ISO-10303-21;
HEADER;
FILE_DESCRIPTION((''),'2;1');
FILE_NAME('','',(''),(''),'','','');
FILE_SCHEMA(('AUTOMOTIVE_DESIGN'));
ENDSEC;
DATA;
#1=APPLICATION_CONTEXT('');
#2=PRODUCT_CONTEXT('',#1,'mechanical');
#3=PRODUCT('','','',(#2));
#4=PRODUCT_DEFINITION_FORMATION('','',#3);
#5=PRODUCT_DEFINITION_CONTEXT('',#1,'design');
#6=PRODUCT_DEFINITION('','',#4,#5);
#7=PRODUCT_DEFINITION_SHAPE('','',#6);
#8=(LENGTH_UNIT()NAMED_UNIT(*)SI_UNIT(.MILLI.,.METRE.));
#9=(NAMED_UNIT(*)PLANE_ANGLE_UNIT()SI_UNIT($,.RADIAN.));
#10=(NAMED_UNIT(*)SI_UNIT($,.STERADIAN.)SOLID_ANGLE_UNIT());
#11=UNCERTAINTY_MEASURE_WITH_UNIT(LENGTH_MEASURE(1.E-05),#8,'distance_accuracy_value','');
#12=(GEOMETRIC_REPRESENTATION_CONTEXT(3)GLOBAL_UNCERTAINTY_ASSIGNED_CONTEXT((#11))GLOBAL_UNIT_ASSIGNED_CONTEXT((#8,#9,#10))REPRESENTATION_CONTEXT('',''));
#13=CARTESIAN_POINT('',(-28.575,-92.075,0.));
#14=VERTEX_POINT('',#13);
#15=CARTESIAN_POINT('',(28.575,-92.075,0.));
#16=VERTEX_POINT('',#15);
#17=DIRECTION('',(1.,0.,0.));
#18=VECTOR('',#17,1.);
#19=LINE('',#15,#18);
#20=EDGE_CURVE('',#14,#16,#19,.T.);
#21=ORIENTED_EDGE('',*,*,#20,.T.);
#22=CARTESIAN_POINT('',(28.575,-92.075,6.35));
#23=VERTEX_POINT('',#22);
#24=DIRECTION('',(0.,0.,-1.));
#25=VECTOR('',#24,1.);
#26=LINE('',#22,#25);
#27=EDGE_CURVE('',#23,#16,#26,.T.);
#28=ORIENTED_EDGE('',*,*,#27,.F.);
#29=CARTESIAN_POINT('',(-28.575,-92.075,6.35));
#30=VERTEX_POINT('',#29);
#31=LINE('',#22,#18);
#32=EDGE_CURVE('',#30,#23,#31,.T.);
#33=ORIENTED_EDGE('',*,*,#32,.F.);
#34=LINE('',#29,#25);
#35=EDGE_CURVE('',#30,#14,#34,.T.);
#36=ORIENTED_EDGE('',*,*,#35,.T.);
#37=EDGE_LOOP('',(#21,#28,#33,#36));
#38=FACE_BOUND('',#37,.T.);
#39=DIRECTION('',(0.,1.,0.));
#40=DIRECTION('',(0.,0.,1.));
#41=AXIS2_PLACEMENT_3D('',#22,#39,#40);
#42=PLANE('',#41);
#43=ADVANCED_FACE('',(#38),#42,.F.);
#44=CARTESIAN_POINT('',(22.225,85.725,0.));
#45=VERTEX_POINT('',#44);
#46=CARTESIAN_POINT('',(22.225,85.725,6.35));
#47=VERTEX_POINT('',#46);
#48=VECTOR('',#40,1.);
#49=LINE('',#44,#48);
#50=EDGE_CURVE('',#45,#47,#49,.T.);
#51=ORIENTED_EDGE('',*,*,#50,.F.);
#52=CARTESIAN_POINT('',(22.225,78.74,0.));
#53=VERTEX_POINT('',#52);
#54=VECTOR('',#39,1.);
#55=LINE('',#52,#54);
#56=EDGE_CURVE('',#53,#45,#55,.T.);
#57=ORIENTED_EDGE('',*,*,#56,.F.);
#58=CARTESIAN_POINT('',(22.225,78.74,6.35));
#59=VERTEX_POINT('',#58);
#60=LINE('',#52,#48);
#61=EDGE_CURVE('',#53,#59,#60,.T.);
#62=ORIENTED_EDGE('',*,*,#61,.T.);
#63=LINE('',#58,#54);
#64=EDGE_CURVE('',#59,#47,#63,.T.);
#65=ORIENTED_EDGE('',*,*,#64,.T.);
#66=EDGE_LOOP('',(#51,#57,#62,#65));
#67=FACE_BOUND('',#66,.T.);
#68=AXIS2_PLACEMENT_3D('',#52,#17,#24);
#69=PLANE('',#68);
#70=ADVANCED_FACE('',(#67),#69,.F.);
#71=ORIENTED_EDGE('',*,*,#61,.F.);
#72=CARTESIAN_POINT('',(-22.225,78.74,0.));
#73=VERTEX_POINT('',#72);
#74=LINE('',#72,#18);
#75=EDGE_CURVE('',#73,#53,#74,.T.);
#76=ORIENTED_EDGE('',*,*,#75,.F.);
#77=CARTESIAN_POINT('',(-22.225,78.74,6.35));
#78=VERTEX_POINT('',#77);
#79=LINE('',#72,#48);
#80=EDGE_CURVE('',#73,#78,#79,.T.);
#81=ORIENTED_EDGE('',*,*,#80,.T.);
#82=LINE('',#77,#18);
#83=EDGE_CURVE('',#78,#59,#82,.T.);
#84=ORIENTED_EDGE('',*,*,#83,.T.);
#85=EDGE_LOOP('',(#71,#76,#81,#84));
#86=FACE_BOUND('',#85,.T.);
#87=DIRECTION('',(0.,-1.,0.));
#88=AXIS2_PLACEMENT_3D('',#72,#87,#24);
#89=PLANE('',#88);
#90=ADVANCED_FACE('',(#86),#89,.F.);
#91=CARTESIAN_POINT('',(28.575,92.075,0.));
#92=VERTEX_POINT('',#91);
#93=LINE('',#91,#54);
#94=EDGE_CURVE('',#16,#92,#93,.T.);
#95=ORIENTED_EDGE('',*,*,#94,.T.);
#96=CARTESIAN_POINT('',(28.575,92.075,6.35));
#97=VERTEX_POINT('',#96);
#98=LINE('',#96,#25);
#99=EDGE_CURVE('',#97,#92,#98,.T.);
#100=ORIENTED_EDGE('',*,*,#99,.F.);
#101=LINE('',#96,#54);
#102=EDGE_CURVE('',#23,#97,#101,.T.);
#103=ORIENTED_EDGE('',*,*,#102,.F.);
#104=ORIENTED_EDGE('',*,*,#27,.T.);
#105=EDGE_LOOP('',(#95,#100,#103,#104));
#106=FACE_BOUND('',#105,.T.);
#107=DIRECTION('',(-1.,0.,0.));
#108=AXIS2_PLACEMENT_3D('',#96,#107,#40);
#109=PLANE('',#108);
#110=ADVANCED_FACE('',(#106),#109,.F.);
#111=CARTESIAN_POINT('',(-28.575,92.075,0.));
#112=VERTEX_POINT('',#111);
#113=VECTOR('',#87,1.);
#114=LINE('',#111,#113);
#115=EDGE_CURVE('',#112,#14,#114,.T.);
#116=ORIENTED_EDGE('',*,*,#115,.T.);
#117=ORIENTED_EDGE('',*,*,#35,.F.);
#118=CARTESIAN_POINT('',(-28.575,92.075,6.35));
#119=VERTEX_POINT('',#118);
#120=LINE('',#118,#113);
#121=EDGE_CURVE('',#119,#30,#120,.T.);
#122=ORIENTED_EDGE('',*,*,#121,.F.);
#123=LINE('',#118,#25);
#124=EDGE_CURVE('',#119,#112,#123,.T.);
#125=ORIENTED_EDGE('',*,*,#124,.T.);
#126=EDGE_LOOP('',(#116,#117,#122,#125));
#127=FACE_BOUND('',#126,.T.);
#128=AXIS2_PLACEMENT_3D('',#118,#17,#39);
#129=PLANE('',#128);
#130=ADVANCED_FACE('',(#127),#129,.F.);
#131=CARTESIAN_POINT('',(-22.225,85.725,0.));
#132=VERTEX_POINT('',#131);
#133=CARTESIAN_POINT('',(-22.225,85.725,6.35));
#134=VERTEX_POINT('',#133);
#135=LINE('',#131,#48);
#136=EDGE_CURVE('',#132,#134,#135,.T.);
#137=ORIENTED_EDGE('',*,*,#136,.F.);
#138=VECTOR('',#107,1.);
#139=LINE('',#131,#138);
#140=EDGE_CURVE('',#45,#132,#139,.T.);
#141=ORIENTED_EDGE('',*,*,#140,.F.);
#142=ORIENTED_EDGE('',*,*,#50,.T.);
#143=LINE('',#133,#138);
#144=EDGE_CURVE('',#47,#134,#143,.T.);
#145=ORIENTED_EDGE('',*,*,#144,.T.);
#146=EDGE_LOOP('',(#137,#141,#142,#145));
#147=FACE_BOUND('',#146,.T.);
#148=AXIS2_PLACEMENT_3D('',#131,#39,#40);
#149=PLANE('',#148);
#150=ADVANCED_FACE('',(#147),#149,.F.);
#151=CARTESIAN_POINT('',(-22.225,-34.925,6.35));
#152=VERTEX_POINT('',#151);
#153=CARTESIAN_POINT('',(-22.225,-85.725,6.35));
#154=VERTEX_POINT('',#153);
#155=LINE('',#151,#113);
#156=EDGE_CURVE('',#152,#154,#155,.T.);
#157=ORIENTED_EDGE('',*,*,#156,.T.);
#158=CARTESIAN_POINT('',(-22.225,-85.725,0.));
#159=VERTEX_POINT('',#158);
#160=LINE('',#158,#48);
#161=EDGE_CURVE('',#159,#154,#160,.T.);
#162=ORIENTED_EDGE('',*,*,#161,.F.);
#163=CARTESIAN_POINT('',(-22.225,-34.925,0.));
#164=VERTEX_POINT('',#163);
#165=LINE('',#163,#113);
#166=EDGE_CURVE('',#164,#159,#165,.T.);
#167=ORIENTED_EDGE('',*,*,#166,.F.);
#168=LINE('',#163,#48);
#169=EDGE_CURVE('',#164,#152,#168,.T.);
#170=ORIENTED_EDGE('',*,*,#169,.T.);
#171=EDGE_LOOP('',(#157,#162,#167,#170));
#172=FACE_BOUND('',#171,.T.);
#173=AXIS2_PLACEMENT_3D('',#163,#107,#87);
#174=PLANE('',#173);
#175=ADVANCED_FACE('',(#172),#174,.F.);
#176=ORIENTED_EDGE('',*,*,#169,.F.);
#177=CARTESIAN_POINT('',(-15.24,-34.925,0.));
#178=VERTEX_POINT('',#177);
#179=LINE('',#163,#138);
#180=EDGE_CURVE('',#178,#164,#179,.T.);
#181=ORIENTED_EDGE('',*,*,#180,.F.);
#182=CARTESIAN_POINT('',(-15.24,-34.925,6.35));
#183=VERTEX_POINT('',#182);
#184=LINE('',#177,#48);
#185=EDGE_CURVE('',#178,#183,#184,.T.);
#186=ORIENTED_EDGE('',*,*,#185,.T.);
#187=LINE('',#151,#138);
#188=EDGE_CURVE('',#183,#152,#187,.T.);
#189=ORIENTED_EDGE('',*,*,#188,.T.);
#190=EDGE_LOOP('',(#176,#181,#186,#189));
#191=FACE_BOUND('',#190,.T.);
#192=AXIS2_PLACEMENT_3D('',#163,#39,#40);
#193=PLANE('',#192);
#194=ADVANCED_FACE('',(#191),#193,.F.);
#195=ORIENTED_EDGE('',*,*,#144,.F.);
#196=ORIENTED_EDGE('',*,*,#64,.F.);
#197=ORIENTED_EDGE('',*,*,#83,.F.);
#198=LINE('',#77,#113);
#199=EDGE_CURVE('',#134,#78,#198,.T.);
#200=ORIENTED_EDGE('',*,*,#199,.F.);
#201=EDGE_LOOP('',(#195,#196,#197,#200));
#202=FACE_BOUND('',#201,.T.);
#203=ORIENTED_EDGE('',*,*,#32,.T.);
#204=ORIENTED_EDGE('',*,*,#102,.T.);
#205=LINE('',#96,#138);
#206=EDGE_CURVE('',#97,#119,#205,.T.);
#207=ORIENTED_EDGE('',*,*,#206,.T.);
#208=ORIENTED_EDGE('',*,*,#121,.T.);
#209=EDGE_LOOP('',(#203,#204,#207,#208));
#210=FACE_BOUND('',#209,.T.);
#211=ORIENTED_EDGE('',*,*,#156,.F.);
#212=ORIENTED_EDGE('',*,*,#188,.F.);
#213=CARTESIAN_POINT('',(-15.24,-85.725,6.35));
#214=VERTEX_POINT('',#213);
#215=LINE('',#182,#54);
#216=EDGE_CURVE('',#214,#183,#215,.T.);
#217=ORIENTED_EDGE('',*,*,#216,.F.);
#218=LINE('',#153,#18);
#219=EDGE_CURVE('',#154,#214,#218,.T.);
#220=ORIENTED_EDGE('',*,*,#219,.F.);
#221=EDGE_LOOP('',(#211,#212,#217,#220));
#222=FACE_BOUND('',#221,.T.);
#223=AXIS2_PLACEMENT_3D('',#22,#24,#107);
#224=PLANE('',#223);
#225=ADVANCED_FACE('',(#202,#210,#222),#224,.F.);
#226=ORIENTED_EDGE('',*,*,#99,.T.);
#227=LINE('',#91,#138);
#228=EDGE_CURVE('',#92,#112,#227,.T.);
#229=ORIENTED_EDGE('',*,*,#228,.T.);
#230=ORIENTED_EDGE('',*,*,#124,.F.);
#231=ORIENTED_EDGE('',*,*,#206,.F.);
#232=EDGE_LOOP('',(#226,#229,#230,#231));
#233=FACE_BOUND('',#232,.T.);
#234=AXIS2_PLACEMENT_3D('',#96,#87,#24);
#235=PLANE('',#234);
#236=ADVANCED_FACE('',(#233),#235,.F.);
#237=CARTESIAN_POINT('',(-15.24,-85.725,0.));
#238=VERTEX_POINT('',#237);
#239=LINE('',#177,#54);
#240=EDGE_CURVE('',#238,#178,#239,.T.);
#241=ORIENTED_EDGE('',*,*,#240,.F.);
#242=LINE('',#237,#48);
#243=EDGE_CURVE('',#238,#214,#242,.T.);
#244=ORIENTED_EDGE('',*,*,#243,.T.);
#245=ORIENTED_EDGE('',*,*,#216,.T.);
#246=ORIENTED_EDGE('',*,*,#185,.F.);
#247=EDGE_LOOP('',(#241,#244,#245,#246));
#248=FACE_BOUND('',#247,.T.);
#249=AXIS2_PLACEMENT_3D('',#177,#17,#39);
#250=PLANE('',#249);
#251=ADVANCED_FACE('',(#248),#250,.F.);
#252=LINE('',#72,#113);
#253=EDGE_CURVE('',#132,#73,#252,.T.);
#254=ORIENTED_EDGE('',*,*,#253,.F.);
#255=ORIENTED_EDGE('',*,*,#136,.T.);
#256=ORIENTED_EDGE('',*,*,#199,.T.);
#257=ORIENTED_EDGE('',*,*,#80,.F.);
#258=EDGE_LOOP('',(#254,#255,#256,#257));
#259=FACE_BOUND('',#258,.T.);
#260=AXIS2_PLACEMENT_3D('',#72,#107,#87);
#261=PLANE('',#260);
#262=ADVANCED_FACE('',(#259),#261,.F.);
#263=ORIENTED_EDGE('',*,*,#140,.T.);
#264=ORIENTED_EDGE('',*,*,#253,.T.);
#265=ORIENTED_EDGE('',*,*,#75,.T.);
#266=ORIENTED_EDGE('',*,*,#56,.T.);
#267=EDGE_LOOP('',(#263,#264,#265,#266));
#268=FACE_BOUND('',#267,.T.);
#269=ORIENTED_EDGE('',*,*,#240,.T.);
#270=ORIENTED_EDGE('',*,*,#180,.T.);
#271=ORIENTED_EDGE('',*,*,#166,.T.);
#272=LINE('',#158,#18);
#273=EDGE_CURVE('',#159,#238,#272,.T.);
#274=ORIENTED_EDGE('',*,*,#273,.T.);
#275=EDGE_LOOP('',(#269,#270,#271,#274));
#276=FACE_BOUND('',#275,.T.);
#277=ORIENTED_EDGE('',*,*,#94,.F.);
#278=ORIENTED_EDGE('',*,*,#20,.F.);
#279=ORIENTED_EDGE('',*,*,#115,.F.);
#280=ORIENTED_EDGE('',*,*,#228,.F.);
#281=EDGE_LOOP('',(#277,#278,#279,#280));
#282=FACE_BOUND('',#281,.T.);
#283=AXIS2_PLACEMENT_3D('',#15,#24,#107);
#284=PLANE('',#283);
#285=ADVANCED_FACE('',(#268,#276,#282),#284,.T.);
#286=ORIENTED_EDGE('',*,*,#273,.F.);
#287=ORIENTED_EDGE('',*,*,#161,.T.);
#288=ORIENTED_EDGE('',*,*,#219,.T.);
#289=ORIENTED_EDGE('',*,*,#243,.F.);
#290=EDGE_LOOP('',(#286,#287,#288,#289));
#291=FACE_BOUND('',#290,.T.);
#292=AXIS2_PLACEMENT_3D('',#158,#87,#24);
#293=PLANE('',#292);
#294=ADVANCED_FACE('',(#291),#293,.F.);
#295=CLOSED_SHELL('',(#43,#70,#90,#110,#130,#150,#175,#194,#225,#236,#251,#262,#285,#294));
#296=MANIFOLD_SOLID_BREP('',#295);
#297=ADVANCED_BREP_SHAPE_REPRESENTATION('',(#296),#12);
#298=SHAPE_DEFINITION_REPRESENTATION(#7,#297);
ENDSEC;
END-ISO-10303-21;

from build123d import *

# Parameters (mm, degrees)
SKETCH2_W           = 57.15
SKETCH2_H           = 184.15
BOSS_EXTRUDE1_DEPTH = 6.35
SKETCH3_W           = 44.45
SKETCH3_H           = 6.985
CUT_EXTRUDE1_DEPTH  = 97.616037747
SKETCH4_W           = 6.985
SKETCH4_H           = 50.8
CUT_EXTRUDE2_DEPTH  = 97.616037747


with BuildPart() as part:
    # Sketch2 → Boss-Extrude1 (new body)
    with BuildSketch(Plane.XY):
        Rectangle(SKETCH2_W, SKETCH2_H)
    extrude(amount=BOSS_EXTRUDE1_DEPTH)

    # Sketch3 → Cut-Extrude1 (cut, through all)
    with BuildSketch(Plane.XY.offset(6.35)):
        with Locations((0, 82.2325)):
            Rectangle(SKETCH3_W, SKETCH3_H)
    extrude(amount=-CUT_EXTRUDE1_DEPTH, mode=Mode.SUBTRACT)

    # Sketch4 → Cut-Extrude2 (cut, through all)
    with BuildSketch(Plane.XY.offset(6.35)):
        with Locations((-18.7325, -60.325)):
            Rectangle(SKETCH4_W, SKETCH4_H)
    extrude(amount=-CUT_EXTRUDE2_DEPTH, mode=Mode.SUBTRACT)


solid = part.part
